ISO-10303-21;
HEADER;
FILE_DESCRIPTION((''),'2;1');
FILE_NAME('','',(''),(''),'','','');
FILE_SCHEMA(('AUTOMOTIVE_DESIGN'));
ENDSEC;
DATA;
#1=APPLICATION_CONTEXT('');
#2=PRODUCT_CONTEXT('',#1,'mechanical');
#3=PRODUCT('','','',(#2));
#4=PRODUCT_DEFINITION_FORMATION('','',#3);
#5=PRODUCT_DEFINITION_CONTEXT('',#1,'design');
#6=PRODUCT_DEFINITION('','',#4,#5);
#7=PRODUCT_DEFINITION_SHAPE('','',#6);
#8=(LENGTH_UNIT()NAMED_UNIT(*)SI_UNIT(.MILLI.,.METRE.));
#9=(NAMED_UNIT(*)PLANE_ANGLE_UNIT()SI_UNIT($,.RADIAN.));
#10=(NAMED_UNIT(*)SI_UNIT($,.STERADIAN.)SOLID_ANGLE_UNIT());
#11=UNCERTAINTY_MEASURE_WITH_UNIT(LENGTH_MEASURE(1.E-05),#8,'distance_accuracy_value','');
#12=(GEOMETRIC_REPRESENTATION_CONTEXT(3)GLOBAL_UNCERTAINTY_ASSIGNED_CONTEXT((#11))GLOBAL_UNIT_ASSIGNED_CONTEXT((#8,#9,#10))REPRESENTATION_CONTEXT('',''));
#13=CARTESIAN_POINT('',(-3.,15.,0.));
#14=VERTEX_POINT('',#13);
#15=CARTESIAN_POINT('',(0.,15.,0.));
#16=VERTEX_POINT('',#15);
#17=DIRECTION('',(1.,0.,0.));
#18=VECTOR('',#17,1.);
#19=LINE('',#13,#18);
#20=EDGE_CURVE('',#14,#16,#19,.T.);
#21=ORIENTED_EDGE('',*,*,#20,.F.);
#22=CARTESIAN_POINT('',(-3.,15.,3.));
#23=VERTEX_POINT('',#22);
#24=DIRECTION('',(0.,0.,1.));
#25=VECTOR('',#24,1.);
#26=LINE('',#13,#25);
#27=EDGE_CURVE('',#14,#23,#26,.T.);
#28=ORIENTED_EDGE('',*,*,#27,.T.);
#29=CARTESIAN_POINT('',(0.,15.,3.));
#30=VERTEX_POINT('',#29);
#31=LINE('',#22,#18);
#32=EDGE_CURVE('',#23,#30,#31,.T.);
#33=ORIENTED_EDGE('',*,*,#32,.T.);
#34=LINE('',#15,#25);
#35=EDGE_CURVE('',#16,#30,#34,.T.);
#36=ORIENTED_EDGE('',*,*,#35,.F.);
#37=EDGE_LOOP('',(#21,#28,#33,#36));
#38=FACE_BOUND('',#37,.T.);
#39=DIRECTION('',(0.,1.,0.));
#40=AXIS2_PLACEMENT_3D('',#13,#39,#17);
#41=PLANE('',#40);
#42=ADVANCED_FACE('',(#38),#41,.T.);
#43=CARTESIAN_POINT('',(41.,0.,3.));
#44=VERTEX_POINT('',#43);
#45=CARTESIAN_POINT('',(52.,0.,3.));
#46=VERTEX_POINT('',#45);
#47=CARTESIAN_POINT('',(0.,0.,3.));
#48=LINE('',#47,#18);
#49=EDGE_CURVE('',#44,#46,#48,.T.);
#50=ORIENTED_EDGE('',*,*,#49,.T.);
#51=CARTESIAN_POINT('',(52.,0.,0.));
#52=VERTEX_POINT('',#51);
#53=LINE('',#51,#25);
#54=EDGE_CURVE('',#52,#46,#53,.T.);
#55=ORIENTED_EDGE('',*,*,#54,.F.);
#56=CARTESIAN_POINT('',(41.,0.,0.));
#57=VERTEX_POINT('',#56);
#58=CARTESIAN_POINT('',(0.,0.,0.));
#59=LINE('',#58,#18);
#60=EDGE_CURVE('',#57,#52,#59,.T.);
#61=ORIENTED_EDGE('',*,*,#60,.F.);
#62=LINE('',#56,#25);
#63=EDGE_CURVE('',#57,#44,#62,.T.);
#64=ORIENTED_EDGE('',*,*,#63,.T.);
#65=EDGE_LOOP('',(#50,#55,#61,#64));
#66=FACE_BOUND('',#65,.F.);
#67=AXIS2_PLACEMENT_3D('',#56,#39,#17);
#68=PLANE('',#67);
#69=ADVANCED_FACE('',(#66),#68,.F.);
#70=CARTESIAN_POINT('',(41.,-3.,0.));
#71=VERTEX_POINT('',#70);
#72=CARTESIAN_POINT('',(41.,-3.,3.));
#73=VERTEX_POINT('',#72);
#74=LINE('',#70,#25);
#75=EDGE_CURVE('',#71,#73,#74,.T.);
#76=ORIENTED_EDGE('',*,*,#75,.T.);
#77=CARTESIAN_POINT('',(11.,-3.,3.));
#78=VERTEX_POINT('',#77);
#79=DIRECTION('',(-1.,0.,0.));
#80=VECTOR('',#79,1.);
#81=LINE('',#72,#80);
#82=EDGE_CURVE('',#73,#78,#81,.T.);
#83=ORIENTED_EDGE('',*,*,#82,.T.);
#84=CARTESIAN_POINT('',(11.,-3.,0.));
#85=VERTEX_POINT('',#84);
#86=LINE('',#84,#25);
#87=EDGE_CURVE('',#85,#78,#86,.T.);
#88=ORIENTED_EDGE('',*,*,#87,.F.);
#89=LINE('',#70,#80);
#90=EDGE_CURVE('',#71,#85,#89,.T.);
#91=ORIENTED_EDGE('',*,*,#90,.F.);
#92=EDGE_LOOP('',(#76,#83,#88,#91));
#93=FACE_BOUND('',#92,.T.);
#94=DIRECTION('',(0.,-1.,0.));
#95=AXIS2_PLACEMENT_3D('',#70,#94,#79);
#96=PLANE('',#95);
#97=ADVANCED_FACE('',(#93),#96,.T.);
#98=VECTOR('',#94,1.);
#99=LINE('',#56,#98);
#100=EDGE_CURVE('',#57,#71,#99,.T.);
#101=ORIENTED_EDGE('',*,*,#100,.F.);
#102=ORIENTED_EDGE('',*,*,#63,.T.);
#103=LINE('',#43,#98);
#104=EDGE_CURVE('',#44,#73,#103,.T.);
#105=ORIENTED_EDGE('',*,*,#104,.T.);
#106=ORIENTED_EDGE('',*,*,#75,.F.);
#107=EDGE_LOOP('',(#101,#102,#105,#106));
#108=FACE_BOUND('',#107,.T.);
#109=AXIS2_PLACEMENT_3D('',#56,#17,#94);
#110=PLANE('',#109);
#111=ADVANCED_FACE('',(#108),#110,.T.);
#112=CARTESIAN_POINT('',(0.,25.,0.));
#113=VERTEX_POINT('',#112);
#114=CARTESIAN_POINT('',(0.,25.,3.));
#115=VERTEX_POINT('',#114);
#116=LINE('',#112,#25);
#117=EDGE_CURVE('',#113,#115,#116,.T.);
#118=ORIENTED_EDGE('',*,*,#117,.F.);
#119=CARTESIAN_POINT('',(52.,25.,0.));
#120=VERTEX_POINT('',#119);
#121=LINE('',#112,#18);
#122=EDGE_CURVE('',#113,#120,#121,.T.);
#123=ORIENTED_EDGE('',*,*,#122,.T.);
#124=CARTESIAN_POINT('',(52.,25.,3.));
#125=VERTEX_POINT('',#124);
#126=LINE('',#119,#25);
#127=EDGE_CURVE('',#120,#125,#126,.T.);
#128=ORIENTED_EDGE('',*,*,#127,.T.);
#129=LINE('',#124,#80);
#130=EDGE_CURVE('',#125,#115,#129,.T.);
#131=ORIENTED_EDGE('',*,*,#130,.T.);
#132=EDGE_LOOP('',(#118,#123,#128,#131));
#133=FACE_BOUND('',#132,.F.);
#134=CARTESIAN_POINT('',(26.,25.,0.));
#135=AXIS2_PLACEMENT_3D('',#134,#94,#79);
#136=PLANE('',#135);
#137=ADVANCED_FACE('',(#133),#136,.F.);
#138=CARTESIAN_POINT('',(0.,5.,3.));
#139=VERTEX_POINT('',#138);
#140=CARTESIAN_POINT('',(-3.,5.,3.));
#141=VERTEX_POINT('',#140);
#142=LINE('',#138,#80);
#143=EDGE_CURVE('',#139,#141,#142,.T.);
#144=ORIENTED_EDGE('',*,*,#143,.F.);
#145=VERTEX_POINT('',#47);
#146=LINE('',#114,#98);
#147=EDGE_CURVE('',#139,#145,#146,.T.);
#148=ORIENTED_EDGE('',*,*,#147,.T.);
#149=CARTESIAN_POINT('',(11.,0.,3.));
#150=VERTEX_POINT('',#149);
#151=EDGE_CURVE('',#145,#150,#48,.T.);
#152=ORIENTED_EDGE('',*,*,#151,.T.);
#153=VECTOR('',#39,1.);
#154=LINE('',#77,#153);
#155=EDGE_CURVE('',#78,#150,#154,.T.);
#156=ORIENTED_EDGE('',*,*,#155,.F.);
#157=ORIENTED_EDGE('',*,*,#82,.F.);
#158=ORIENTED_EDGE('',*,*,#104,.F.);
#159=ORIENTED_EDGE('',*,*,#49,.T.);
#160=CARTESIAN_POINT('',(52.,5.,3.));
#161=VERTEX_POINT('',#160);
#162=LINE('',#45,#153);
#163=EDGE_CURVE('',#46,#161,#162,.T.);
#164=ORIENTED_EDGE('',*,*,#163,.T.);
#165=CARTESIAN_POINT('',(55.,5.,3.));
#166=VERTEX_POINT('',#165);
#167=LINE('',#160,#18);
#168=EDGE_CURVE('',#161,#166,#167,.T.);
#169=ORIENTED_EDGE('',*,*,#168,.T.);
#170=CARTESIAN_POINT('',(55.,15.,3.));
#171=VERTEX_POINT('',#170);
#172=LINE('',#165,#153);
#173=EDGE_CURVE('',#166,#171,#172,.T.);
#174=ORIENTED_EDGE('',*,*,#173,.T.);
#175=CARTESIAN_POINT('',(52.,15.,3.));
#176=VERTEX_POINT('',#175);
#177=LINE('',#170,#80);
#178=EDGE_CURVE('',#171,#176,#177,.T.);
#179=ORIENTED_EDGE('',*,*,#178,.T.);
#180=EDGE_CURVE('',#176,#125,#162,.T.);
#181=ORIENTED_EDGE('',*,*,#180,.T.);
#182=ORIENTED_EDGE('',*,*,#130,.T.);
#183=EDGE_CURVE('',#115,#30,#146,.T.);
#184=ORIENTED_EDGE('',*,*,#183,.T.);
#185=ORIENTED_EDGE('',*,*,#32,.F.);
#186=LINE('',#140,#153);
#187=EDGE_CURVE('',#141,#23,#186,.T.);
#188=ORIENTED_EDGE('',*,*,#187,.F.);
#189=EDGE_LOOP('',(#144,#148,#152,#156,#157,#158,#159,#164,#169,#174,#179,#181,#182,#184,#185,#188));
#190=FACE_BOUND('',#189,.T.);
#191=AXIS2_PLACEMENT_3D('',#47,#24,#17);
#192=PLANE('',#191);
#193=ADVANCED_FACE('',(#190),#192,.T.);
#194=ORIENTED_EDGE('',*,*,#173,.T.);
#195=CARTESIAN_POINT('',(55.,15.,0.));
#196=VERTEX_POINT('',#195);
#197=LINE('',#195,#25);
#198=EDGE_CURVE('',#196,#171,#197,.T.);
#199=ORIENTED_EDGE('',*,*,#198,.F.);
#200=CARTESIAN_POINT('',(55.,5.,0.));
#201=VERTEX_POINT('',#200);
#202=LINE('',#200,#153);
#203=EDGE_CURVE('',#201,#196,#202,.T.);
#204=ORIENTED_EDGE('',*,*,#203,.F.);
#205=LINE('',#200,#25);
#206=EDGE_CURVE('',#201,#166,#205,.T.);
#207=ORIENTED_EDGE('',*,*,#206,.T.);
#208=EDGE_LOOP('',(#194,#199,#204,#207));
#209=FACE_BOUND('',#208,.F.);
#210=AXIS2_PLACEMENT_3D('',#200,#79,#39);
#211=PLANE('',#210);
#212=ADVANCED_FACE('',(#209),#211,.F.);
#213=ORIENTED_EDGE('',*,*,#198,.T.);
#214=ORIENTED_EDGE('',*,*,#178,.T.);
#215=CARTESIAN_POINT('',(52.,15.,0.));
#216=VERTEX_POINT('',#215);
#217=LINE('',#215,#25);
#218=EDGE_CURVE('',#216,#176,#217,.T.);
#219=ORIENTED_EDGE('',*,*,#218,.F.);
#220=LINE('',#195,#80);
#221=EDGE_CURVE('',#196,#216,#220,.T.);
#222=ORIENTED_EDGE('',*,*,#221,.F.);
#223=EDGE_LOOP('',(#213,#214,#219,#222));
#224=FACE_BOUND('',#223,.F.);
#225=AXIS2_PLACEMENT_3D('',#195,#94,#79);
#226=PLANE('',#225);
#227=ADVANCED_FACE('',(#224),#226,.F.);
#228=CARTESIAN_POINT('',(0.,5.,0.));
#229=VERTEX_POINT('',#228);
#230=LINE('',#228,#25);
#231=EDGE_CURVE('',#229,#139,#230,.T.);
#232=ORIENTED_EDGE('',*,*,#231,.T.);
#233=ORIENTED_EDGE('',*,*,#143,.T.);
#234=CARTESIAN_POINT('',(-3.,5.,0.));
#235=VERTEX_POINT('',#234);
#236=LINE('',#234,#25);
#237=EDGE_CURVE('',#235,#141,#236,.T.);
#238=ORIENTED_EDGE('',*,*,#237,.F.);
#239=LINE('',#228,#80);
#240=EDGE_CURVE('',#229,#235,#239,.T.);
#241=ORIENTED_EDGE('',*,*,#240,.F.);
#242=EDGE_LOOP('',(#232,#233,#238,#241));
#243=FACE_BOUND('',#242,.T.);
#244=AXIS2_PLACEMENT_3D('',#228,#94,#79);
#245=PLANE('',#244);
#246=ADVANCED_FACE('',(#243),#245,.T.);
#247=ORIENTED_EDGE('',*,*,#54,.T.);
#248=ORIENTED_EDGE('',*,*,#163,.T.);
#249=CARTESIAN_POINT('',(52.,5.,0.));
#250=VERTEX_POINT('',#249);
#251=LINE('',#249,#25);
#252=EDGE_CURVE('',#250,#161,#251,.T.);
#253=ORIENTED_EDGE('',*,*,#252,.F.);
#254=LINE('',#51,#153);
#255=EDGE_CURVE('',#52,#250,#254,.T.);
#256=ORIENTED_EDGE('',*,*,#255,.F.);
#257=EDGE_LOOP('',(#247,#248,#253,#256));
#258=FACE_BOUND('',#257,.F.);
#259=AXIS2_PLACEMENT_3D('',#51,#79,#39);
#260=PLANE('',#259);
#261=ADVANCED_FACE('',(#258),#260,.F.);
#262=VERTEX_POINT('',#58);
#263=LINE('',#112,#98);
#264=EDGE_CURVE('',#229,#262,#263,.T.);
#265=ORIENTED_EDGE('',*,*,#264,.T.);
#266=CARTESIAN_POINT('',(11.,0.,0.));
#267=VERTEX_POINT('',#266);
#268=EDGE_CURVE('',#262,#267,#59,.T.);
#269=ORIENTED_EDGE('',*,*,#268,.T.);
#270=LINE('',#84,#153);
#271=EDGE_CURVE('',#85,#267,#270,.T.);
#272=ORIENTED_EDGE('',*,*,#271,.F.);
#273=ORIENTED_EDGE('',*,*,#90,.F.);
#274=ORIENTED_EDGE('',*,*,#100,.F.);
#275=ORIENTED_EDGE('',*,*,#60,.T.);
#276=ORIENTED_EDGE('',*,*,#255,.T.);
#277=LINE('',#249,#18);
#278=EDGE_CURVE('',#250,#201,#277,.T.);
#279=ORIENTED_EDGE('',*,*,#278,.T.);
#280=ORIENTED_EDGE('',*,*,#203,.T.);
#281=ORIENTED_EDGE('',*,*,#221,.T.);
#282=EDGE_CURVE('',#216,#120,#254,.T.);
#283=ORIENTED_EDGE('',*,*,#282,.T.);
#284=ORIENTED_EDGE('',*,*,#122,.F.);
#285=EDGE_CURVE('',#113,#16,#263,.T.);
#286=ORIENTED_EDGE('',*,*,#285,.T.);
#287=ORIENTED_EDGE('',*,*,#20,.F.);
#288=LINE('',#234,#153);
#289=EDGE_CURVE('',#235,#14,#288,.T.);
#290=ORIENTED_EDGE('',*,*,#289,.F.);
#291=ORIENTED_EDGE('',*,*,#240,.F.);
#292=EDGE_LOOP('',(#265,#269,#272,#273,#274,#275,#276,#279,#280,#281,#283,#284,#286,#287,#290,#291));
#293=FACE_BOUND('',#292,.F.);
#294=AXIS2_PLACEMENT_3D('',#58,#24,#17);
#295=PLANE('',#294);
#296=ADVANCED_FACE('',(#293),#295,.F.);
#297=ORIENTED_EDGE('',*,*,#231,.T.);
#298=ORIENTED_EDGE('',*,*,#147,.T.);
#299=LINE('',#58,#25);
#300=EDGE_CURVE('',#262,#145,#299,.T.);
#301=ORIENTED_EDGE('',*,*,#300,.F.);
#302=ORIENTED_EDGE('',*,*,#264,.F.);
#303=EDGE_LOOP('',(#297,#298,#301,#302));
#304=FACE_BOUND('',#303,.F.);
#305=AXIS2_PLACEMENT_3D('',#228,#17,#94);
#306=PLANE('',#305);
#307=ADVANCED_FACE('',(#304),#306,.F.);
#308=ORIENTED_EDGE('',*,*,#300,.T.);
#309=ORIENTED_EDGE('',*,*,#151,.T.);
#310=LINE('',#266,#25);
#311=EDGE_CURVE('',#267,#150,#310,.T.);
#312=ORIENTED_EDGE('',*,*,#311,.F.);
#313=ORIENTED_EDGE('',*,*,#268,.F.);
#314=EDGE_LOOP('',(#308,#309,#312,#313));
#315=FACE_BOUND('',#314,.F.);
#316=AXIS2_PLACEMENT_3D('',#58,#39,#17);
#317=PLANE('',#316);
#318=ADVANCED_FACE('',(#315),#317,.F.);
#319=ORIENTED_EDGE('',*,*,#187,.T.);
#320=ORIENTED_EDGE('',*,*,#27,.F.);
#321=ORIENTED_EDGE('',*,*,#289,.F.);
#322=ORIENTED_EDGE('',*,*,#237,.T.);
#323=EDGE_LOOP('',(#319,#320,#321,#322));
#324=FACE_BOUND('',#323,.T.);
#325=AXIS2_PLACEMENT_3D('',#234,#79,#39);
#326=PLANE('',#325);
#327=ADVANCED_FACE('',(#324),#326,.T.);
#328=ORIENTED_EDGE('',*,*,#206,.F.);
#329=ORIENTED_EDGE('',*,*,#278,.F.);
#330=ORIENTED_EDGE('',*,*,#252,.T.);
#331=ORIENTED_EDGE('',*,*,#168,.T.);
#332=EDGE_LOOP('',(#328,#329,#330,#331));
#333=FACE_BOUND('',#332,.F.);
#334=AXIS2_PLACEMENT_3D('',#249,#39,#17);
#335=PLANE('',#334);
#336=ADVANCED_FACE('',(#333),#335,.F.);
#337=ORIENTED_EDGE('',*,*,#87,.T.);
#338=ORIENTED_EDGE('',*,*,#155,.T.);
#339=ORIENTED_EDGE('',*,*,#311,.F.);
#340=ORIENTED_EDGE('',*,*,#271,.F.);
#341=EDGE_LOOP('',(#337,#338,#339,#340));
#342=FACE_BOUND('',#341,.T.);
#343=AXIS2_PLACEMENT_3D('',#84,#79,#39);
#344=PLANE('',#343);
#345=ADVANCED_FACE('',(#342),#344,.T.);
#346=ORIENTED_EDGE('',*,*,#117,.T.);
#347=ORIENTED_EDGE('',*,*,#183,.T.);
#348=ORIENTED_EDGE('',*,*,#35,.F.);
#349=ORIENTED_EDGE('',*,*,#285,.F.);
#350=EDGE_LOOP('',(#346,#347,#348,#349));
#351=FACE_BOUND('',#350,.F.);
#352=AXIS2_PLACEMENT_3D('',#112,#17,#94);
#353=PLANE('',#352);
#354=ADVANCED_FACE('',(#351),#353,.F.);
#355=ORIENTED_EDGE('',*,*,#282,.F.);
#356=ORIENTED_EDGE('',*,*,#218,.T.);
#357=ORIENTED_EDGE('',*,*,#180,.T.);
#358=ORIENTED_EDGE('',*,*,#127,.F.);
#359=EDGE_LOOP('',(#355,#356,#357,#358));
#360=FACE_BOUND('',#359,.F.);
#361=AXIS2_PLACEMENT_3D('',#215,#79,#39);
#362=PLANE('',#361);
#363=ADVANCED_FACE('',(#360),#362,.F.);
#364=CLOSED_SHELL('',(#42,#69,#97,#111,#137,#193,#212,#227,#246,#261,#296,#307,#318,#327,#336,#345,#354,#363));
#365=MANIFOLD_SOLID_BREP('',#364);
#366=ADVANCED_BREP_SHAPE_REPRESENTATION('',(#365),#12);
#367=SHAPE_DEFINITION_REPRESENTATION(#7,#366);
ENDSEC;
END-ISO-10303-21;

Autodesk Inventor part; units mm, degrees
ref_plane "YZ Plane" through (0, 0, 0) normal (1, 0, 0) x (0, 1, 0)
ref_plane "XZ Plane" through (0, 0, 0) normal (0, 1, 0) x (-1, 0, 0)
ref_plane "XY Plane" through (0, 0, 0) normal (0, 0, 1) x (1, 0, 0)
sketch "Sketch1" plane through (0, 0, 0) normal (0, 0, 1) x (1, 0, 0)
  line L0 (0, 0) -> (52, 0)
  line L1 (52, 0) -> (52, 25)
  line L2 (52, 25) -> (0, 25)
  line L3 (0, 25) -> (0, 0)
  line L4 (11, 0) -> (41, 0)
  line L5 (41, 0) -> (41, -3)
  line L6 (41, -3) -> (11, -3)
  line L7 (11, -3) -> (11, 0)
  line L8 (0, 5) -> (-3, 5)
  line L9 (-3, 5) -> (-3, 15)
  line L10 (-3, 15) -> (0, 15)
  line L11 (0, 15) -> (0, 5)
  line L12 (26, 25) -> (26, 0)
  line L13 (52, 5) -> (55, 5)
  line L14 (55, 5) -> (55, 15)
  line L15 (55, 15) -> (52, 15)
  point P0 (0, 15)
  point P1 (41, 0)
  point P2 (52, 5)
  point P3 (0, 15)
  dimension "d0" = 52
  dimension "d1" = 30
  dimension "d2" = 3
  dimension "d3" = 25
  dimension "d4" = 3
  dimension "d5" = 10
  dimension "d6" = 5
extrude "Plate1" add sketch "Sketch1" along normal blind 3
equation "\"d0\" = A_width + 2 * A_joint_tolerance"
equation "\"d2\" = plate_thickness"
equation "\"d4\" = plate_thickness"
equation "\"d7\" = Thickness"
equation "\"Thickness\" = plate_thickness"
equation "\"BendRadius\" = Thickness"
equation "\"BendReliefWidth\" = Thickness"
equation "\"BendReliefDepth\" = 0.5 * Thickness"
equation "\"CornerReliefSize\" = 4 * Thickness"
equation "\"MinimumRemnant\" = 2 * Thickness"
equation "\"TransitionRadius\" = BendRadius"
equation "\"JacobiRadiusSize\" = BendRadius"
equation "\"GapSize\" = Thickness"
equation "\"A_width\" = 46"
equation "\"A_joint_diameter\" = 16"
equation "\"l___________\" = 0"
equation "\"l__________\" = 0"
equation "\"l_________\" = 0"
equation "\"rivet_diameter\" = 3.35"
equation "\"plate_thickness\" = 3"
equation "\"l________\" = 0"
equation "\"A_joint_tolerance\" = 3"
equation "\"A_B_spacing\" = 2"
equation "\"L_Piston_Bottom\" = 21"
equation "\"L_Piston_Top\" = 25"
equation "\"thin_plate\" = 1.5"
properties part number "bottom_hinge_002" material "Stainless Steel"
